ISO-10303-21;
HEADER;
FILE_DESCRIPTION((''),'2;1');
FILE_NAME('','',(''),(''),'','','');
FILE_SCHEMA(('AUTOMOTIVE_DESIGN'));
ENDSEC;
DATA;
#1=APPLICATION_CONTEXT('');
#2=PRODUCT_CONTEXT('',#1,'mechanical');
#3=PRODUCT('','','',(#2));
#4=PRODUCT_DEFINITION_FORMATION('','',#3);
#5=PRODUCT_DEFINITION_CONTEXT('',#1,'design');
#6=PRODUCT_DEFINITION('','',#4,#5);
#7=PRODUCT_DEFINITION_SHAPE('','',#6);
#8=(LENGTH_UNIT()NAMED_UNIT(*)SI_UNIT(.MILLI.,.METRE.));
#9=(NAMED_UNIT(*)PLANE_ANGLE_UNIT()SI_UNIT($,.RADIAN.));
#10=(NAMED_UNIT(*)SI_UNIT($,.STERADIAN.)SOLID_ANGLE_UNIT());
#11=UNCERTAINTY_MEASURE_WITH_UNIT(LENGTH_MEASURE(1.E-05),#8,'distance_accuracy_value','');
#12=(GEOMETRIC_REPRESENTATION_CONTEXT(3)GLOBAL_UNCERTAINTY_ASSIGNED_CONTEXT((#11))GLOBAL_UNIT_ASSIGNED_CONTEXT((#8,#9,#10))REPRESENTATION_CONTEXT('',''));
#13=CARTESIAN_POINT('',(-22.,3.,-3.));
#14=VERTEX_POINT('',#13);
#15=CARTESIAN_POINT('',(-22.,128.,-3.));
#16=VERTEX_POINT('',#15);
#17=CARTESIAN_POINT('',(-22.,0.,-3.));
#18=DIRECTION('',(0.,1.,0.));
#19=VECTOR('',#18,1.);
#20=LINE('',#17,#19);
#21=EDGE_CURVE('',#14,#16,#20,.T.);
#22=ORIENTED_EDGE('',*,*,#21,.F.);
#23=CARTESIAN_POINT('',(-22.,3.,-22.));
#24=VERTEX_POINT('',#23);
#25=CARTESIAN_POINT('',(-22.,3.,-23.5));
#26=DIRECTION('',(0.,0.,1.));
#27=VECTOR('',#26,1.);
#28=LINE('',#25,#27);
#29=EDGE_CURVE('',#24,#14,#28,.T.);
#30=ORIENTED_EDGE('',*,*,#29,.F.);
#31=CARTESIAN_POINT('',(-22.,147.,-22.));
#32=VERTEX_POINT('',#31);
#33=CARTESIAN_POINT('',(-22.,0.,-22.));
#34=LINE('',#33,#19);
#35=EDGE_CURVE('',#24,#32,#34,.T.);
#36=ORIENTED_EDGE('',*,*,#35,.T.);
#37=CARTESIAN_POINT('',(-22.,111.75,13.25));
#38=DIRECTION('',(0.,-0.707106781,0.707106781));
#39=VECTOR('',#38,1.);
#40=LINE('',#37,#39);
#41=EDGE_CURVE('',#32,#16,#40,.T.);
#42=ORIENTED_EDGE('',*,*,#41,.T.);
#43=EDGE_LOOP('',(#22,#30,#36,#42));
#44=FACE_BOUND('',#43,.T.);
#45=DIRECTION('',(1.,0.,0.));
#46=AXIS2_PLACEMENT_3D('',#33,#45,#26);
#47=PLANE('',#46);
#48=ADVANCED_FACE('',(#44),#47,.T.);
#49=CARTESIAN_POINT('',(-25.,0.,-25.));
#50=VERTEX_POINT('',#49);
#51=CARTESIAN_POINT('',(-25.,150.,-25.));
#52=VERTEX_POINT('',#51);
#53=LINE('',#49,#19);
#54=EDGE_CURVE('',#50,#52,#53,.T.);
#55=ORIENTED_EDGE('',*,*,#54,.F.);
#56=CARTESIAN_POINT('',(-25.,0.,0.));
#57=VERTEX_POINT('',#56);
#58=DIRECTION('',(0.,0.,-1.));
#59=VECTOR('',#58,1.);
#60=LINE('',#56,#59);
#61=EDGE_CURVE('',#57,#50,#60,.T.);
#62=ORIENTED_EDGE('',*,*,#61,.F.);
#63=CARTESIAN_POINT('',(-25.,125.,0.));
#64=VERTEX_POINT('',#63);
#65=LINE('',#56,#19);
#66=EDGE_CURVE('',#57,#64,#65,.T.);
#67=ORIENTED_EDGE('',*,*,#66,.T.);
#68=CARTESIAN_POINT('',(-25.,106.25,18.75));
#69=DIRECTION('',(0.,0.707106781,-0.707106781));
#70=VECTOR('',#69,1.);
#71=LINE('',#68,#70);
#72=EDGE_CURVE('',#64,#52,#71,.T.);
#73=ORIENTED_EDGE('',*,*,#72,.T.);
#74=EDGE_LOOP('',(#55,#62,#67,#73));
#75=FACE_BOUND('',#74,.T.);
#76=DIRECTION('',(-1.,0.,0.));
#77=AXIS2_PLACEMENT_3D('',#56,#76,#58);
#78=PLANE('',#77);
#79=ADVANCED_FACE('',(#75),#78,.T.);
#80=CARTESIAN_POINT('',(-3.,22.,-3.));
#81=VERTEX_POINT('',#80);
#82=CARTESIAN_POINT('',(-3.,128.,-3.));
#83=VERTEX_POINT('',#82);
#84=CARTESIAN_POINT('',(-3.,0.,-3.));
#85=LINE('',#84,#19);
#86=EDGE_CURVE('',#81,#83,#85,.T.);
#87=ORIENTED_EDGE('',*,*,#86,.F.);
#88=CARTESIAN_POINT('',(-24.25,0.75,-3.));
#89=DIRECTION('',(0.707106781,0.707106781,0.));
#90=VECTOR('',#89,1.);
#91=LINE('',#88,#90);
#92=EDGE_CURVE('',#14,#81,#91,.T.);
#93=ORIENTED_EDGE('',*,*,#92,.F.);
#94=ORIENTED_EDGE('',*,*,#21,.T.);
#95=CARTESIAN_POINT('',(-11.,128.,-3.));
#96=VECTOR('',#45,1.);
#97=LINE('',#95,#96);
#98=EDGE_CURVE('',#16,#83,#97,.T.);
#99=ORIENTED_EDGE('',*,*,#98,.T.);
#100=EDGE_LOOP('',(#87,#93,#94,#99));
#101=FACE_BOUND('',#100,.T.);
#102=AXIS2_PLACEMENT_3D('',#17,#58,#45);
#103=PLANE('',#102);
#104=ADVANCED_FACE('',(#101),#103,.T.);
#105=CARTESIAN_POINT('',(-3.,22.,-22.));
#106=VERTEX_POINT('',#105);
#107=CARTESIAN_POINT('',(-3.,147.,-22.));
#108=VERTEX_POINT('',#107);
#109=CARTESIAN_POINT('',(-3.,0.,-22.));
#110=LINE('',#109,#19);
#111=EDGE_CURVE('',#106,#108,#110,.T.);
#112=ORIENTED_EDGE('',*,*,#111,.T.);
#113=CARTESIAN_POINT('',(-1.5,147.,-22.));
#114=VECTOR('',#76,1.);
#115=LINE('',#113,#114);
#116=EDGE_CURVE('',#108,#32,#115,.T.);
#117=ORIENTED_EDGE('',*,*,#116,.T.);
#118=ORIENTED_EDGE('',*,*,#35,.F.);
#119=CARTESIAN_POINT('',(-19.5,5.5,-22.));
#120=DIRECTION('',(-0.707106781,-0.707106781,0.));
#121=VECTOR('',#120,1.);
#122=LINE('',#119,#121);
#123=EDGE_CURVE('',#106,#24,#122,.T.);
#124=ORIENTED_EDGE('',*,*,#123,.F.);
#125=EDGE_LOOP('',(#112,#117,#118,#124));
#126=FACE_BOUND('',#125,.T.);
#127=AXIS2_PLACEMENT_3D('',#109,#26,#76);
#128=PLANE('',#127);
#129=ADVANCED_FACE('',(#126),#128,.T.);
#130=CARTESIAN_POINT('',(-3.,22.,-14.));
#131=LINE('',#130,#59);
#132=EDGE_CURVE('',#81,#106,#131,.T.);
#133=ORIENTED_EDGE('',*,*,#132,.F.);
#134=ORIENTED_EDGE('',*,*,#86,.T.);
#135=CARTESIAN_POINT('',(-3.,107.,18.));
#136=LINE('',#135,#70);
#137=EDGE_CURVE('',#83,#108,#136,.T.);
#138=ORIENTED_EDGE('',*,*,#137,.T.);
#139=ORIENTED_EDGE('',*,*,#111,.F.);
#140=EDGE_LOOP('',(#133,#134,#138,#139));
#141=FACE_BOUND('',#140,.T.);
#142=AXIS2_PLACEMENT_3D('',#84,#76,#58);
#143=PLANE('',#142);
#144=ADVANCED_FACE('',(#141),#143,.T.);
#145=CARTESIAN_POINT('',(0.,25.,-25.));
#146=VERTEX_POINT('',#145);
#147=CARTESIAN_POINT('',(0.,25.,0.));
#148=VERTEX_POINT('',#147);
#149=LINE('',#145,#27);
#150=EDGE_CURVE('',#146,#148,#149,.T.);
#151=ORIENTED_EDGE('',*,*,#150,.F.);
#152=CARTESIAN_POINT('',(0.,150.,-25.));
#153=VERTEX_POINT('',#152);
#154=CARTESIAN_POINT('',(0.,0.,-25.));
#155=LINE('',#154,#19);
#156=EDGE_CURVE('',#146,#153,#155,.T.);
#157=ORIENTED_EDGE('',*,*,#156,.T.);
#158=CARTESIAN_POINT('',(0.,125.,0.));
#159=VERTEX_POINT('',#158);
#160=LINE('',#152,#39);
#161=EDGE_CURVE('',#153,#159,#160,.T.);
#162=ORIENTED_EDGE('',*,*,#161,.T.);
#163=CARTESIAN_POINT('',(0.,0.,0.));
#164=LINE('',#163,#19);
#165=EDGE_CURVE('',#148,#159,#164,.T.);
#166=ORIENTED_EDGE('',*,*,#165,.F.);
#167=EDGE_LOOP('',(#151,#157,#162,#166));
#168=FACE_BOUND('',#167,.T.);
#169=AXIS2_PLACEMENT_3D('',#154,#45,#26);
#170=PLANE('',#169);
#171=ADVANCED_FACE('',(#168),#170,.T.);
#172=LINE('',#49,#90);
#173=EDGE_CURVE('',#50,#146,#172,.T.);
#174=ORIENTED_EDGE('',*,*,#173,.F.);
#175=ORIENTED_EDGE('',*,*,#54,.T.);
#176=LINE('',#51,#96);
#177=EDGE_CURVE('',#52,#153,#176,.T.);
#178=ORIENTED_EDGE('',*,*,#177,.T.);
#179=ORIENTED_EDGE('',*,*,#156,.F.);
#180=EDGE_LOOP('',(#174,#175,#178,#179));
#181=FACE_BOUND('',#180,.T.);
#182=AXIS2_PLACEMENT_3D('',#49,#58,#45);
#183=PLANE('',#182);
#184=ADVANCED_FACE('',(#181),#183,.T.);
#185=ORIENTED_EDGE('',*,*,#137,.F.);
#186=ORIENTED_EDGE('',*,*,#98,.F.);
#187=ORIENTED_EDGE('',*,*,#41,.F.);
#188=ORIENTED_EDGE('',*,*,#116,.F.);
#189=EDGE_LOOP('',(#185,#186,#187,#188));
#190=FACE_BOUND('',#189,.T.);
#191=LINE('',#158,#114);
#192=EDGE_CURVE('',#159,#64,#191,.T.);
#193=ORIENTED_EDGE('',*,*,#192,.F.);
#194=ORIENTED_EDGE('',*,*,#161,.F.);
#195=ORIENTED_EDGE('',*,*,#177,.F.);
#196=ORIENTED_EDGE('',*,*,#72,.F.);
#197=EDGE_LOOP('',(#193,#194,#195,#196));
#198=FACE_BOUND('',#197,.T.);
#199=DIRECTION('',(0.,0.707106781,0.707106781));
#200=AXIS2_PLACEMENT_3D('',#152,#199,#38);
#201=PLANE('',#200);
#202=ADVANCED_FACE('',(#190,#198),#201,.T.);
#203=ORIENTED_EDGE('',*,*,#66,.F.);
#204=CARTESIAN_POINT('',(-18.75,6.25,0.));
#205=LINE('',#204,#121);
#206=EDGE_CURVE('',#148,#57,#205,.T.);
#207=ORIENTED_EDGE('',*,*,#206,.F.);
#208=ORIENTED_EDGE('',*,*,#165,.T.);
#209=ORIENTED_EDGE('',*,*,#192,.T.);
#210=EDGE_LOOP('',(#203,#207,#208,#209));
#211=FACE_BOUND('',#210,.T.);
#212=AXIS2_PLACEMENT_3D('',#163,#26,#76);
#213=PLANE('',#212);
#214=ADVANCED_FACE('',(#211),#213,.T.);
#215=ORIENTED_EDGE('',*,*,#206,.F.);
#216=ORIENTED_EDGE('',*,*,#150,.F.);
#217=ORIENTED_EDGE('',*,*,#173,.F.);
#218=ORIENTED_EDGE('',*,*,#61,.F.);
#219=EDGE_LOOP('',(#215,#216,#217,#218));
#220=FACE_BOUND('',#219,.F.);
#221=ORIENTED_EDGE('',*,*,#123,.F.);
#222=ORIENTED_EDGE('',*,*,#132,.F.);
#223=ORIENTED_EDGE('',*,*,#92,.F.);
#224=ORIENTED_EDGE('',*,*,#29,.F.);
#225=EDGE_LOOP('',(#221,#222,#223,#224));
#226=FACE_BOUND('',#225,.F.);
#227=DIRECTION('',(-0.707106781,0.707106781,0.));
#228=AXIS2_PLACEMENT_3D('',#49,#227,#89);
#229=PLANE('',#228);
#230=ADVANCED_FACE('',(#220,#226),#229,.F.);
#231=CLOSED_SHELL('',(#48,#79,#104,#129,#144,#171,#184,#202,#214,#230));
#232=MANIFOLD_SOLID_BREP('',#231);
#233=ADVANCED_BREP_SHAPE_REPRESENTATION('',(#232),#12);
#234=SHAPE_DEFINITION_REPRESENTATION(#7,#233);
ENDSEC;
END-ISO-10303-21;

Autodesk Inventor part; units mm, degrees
ref_plane "YZ Plane" through (0, 0, 0) normal (1, 0, 0) x (0, 1, 0)
ref_plane "XZ Plane" through (0, 0, 0) normal (0, 1, 0) x (-1, 0, 0)
ref_plane "XY Plane" through (0, 0, 0) normal (0, 0, 1) x (1, 0, 0)
sketch "Sketch1" plane through (0, 0, 0) normal (0, 1, 0) x (-1, 0, 0)
  line L0 (0, 0) -> (25, 0)
  line L1 (25, 0) -> (25, -25)
  line L2 (25, -25) -> (0, -25)
  line L3 (0, -25) -> (0, 0)
  line L4 (22, -22) -> (22, -3)
  line L5 (22, -3) -> (3, -3)
  line L6 (3, -3) -> (3, -22)
  line L7 (3, -22) -> (22, -22)
  dimension "d0" = 25
  dimension "d1" = 25
  dimension "d2" = 3
extrude "Extrusion1" add sketch "Sketch1" along normal blind 150
sketch "Sketch2" plane through (0, 0, 0) normal (1, 0, 0) x (0, 0, -1)
  line L0 (0, 0) -> (25, 0) projected
  line L1 (25, 0) -> (25, 150) projected
  line L2 (0, 150) -> (25, 150) projected
  line L3 (0, 0) -> (0, 150) projected
  line L4 (0, 0) -> (0, 150) projected
  line L5 (0, 150) -> (35.3553, 150) construction
  line L6 (25, 150) -> (0, 125)
  point P0 (25, 125)
  dimension "d14" = 45
extrude "Extrusion2" cut sketch "Sketch2" against normal blind 80 contours L3 L2 L6
sketch "Sketch3" plane through (0, 0, -25) normal (0, 0, -1) x (-1, 0, 0)
  line L0 (25, 125) -> (0, 125) projected
  line L1 (0, 0) -> (0, 125) projected
  line L2 (0, 0) -> (25, 0) projected
  line L3 (25, 0) -> (25, 125) projected
  line L4 (25, 0) -> (0, 25)
  dimension "d11" = 45
extrude "Extrusion3" cut sketch "Sketch3" against normal blind 100 contours L2 L1 L4
properties part number "P407" material "Aluminum 6061"
